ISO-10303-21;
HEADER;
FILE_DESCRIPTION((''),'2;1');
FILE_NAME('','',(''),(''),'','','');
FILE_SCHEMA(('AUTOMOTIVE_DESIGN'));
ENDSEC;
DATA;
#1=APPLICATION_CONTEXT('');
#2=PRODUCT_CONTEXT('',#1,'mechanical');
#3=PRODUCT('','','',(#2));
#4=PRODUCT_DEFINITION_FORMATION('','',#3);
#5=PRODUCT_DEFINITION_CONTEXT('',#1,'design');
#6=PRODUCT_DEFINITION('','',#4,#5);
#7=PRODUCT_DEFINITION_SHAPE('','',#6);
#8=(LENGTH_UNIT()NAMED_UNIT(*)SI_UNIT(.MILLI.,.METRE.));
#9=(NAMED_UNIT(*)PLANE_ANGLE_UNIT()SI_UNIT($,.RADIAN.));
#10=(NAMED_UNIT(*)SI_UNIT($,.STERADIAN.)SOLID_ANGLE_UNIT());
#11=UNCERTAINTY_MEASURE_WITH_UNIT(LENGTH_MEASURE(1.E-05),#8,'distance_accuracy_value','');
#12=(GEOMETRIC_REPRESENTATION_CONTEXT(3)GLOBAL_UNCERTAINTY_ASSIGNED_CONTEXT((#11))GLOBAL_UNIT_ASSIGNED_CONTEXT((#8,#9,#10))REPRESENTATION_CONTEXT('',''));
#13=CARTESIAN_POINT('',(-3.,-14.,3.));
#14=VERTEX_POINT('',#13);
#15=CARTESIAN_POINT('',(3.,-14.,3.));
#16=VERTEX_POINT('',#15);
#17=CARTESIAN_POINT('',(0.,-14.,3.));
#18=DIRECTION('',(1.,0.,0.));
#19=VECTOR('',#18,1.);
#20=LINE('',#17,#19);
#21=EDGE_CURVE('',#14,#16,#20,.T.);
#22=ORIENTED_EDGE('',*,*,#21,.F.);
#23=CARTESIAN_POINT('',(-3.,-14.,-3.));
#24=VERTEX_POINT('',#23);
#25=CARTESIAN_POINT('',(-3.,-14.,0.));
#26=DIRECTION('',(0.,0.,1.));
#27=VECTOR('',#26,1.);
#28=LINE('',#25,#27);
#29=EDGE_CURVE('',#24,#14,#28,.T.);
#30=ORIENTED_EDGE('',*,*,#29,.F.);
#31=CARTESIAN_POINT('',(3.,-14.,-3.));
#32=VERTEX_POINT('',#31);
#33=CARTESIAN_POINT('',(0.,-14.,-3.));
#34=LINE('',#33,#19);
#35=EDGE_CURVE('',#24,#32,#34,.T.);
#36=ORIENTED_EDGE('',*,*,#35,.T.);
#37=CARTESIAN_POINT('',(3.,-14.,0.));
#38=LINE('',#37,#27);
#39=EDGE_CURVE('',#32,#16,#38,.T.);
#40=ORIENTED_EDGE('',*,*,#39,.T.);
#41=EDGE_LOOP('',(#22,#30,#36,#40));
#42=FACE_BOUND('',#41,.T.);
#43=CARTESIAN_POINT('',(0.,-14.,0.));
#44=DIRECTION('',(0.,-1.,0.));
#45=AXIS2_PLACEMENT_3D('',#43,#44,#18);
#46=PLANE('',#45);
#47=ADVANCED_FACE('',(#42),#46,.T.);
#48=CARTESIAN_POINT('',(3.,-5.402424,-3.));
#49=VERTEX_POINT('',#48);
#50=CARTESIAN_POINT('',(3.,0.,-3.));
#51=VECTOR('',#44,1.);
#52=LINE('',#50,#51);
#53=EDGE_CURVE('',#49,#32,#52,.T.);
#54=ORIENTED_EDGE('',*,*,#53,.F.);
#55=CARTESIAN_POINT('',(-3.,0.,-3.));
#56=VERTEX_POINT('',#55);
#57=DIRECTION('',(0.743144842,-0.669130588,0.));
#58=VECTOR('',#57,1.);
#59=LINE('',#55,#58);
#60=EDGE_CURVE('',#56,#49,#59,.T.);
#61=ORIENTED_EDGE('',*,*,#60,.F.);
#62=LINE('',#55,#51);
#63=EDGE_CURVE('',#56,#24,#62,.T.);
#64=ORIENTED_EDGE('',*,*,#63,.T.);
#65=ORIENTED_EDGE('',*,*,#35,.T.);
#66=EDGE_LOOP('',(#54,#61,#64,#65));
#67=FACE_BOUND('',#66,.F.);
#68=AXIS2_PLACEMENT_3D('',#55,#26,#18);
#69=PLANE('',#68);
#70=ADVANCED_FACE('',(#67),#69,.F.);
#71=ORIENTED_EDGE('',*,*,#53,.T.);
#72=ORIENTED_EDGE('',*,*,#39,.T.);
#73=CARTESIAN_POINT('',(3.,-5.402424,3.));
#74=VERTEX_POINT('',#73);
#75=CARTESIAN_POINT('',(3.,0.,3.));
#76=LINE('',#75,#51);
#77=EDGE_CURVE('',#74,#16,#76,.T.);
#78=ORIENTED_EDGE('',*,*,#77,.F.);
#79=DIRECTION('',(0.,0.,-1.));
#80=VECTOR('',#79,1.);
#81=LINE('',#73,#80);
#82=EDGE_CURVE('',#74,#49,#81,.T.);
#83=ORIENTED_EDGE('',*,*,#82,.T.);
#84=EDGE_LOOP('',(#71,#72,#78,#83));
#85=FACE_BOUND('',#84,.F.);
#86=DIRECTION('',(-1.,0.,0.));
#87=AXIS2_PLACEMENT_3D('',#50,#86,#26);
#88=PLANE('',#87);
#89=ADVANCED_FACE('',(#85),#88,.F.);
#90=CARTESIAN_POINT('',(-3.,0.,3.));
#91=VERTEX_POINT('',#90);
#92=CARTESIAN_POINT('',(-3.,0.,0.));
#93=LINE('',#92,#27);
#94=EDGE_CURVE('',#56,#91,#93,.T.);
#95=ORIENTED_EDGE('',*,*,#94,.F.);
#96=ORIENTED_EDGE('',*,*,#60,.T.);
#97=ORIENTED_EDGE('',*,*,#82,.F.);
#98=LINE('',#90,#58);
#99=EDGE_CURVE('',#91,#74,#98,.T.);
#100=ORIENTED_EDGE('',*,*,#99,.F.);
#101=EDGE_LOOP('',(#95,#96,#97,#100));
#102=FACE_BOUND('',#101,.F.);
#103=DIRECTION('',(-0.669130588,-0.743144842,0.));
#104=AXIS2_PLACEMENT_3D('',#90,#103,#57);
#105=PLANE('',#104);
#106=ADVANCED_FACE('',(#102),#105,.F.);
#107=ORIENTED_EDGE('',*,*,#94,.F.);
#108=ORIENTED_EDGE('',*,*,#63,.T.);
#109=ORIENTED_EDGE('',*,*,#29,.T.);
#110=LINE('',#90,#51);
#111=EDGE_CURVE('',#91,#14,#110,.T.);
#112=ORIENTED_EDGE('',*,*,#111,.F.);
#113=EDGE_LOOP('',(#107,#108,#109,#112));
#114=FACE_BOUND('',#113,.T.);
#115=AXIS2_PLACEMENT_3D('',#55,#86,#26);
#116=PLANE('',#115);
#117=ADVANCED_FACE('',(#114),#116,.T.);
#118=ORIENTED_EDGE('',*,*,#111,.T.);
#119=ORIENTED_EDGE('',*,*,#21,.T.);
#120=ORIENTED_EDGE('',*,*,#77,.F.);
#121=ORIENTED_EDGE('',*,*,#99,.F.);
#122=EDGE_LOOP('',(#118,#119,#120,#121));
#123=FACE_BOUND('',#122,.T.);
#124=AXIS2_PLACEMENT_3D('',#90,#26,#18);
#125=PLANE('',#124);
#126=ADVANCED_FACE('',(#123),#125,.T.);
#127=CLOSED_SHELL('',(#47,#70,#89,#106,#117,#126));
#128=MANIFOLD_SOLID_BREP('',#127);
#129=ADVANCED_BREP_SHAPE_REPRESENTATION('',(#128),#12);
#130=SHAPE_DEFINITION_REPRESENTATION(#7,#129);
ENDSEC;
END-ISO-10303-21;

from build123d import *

# Parameters (mm, degrees)
F0_W     = 6
F0_H     = 6
F1_DEPTH = 14
F3_DEPTH = 6.001


with BuildPart() as f1:
    # F0 (on Front) → F1 (new body)
    with BuildSketch(Plane.XZ):
        Rectangle(F0_W, F0_H)
    extrude(amount=F1_DEPTH)

    # F2 (on face) → F3 (cut, through all)
    with BuildSketch(Plane.XY.offset(3)):
        Polygon((3, 0), (-3, 0), (3, -5.402424), align=None)
    extrude(amount=-F3_DEPTH, mode=Mode.SUBTRACT)


solid = f1.part
